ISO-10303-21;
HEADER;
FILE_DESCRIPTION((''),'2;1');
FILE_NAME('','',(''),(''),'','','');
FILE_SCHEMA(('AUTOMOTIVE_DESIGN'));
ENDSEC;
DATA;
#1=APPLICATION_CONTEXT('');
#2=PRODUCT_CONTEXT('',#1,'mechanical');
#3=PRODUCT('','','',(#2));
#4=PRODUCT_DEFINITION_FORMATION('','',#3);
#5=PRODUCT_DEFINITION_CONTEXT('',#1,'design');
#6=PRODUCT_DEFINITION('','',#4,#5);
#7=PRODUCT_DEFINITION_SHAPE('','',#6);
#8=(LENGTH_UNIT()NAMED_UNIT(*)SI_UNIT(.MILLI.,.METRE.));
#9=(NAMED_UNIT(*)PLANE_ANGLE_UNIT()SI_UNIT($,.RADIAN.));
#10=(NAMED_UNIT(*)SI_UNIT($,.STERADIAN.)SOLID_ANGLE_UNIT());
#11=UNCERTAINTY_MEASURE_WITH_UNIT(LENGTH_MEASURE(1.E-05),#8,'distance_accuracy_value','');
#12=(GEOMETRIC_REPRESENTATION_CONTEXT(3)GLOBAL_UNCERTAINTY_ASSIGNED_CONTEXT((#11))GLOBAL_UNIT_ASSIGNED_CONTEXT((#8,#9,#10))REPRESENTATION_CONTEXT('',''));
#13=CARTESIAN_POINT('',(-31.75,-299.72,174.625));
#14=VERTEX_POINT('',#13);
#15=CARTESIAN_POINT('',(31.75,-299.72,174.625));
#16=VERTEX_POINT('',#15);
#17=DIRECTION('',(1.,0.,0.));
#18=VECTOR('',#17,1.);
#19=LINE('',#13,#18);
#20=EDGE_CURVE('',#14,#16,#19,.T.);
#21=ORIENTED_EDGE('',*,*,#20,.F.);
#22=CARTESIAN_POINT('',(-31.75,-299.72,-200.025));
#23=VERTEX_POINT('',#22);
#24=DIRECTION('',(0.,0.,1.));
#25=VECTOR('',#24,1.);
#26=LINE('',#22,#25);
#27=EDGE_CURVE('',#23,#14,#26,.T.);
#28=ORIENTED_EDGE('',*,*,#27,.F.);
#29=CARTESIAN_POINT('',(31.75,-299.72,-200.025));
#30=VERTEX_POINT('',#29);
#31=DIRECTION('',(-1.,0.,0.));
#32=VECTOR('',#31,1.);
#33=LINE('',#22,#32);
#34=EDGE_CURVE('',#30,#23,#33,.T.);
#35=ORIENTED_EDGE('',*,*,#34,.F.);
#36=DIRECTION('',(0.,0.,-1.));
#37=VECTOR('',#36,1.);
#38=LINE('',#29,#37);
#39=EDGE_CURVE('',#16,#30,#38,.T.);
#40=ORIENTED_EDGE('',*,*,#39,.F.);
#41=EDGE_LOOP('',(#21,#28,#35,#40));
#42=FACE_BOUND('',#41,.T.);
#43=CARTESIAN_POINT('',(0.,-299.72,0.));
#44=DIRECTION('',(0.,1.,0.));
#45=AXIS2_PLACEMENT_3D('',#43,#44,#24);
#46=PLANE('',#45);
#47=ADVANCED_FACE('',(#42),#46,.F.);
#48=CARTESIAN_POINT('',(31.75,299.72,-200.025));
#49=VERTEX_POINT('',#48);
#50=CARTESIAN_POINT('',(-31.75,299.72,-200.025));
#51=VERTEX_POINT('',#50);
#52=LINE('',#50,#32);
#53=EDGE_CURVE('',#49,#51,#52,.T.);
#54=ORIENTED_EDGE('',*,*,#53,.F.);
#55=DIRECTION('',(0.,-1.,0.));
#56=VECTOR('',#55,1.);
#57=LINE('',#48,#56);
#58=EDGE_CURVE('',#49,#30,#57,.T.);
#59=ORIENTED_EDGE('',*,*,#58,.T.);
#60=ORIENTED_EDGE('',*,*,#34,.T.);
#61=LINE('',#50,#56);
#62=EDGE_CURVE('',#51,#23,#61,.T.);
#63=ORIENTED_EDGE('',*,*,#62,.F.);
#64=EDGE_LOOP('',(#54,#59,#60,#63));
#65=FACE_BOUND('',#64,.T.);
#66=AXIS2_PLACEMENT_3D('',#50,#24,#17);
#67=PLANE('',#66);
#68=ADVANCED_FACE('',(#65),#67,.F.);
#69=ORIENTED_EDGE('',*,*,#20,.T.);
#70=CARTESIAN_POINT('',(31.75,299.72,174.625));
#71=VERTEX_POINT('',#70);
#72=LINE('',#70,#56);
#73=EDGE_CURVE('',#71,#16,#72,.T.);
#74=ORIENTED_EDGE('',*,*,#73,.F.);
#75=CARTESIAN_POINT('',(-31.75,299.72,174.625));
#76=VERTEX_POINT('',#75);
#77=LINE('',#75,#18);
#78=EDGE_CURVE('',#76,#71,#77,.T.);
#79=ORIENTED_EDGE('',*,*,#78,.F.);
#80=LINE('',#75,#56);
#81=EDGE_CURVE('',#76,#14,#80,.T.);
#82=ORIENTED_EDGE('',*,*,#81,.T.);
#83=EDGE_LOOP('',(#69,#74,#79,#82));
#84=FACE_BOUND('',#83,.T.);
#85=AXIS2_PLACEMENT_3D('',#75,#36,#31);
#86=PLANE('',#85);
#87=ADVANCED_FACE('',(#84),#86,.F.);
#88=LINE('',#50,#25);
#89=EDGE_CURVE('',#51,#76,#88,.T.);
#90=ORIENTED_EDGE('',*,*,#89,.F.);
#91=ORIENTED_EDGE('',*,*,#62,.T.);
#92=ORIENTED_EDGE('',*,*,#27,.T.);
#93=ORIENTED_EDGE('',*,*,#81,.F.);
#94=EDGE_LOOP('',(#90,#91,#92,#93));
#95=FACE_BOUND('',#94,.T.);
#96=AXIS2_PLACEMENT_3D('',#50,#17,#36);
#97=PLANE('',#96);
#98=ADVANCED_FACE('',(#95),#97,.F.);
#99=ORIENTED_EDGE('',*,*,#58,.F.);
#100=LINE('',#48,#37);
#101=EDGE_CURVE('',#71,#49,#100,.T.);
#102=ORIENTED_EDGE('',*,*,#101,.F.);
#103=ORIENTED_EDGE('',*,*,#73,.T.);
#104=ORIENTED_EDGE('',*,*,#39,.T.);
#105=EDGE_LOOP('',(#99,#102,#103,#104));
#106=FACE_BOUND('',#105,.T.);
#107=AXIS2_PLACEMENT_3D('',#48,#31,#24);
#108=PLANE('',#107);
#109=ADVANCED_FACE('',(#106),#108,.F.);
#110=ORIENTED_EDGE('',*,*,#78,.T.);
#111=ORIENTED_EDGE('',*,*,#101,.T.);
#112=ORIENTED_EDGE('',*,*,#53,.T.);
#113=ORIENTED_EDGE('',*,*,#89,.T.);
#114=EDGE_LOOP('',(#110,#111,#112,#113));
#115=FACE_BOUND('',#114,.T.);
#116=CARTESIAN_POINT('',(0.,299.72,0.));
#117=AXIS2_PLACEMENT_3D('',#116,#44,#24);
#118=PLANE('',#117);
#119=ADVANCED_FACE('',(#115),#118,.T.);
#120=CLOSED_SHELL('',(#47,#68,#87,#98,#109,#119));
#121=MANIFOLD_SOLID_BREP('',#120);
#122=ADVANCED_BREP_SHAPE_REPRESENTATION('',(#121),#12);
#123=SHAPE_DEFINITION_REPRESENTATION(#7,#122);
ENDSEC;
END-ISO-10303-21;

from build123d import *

# Parameters (mm, degrees)
SKETCH2_W           = 63.5
SKETCH2_H           = 374.65
BOSS_EXTRUDE1_DEPTH = 299.72


with BuildPart() as part:
    # Sketch2 → Boss-Extrude1 (new, symmetric)
    with BuildSketch(Plane(origin=(0, 0, 0), x_dir=(1, 0, 0), z_dir=(0, 1, 0))):
        with Locations((0, 12.7)):
            Rectangle(SKETCH2_W, SKETCH2_H)
    extrude(amount=BOSS_EXTRUDE1_DEPTH, both=True)


solid = part.part
